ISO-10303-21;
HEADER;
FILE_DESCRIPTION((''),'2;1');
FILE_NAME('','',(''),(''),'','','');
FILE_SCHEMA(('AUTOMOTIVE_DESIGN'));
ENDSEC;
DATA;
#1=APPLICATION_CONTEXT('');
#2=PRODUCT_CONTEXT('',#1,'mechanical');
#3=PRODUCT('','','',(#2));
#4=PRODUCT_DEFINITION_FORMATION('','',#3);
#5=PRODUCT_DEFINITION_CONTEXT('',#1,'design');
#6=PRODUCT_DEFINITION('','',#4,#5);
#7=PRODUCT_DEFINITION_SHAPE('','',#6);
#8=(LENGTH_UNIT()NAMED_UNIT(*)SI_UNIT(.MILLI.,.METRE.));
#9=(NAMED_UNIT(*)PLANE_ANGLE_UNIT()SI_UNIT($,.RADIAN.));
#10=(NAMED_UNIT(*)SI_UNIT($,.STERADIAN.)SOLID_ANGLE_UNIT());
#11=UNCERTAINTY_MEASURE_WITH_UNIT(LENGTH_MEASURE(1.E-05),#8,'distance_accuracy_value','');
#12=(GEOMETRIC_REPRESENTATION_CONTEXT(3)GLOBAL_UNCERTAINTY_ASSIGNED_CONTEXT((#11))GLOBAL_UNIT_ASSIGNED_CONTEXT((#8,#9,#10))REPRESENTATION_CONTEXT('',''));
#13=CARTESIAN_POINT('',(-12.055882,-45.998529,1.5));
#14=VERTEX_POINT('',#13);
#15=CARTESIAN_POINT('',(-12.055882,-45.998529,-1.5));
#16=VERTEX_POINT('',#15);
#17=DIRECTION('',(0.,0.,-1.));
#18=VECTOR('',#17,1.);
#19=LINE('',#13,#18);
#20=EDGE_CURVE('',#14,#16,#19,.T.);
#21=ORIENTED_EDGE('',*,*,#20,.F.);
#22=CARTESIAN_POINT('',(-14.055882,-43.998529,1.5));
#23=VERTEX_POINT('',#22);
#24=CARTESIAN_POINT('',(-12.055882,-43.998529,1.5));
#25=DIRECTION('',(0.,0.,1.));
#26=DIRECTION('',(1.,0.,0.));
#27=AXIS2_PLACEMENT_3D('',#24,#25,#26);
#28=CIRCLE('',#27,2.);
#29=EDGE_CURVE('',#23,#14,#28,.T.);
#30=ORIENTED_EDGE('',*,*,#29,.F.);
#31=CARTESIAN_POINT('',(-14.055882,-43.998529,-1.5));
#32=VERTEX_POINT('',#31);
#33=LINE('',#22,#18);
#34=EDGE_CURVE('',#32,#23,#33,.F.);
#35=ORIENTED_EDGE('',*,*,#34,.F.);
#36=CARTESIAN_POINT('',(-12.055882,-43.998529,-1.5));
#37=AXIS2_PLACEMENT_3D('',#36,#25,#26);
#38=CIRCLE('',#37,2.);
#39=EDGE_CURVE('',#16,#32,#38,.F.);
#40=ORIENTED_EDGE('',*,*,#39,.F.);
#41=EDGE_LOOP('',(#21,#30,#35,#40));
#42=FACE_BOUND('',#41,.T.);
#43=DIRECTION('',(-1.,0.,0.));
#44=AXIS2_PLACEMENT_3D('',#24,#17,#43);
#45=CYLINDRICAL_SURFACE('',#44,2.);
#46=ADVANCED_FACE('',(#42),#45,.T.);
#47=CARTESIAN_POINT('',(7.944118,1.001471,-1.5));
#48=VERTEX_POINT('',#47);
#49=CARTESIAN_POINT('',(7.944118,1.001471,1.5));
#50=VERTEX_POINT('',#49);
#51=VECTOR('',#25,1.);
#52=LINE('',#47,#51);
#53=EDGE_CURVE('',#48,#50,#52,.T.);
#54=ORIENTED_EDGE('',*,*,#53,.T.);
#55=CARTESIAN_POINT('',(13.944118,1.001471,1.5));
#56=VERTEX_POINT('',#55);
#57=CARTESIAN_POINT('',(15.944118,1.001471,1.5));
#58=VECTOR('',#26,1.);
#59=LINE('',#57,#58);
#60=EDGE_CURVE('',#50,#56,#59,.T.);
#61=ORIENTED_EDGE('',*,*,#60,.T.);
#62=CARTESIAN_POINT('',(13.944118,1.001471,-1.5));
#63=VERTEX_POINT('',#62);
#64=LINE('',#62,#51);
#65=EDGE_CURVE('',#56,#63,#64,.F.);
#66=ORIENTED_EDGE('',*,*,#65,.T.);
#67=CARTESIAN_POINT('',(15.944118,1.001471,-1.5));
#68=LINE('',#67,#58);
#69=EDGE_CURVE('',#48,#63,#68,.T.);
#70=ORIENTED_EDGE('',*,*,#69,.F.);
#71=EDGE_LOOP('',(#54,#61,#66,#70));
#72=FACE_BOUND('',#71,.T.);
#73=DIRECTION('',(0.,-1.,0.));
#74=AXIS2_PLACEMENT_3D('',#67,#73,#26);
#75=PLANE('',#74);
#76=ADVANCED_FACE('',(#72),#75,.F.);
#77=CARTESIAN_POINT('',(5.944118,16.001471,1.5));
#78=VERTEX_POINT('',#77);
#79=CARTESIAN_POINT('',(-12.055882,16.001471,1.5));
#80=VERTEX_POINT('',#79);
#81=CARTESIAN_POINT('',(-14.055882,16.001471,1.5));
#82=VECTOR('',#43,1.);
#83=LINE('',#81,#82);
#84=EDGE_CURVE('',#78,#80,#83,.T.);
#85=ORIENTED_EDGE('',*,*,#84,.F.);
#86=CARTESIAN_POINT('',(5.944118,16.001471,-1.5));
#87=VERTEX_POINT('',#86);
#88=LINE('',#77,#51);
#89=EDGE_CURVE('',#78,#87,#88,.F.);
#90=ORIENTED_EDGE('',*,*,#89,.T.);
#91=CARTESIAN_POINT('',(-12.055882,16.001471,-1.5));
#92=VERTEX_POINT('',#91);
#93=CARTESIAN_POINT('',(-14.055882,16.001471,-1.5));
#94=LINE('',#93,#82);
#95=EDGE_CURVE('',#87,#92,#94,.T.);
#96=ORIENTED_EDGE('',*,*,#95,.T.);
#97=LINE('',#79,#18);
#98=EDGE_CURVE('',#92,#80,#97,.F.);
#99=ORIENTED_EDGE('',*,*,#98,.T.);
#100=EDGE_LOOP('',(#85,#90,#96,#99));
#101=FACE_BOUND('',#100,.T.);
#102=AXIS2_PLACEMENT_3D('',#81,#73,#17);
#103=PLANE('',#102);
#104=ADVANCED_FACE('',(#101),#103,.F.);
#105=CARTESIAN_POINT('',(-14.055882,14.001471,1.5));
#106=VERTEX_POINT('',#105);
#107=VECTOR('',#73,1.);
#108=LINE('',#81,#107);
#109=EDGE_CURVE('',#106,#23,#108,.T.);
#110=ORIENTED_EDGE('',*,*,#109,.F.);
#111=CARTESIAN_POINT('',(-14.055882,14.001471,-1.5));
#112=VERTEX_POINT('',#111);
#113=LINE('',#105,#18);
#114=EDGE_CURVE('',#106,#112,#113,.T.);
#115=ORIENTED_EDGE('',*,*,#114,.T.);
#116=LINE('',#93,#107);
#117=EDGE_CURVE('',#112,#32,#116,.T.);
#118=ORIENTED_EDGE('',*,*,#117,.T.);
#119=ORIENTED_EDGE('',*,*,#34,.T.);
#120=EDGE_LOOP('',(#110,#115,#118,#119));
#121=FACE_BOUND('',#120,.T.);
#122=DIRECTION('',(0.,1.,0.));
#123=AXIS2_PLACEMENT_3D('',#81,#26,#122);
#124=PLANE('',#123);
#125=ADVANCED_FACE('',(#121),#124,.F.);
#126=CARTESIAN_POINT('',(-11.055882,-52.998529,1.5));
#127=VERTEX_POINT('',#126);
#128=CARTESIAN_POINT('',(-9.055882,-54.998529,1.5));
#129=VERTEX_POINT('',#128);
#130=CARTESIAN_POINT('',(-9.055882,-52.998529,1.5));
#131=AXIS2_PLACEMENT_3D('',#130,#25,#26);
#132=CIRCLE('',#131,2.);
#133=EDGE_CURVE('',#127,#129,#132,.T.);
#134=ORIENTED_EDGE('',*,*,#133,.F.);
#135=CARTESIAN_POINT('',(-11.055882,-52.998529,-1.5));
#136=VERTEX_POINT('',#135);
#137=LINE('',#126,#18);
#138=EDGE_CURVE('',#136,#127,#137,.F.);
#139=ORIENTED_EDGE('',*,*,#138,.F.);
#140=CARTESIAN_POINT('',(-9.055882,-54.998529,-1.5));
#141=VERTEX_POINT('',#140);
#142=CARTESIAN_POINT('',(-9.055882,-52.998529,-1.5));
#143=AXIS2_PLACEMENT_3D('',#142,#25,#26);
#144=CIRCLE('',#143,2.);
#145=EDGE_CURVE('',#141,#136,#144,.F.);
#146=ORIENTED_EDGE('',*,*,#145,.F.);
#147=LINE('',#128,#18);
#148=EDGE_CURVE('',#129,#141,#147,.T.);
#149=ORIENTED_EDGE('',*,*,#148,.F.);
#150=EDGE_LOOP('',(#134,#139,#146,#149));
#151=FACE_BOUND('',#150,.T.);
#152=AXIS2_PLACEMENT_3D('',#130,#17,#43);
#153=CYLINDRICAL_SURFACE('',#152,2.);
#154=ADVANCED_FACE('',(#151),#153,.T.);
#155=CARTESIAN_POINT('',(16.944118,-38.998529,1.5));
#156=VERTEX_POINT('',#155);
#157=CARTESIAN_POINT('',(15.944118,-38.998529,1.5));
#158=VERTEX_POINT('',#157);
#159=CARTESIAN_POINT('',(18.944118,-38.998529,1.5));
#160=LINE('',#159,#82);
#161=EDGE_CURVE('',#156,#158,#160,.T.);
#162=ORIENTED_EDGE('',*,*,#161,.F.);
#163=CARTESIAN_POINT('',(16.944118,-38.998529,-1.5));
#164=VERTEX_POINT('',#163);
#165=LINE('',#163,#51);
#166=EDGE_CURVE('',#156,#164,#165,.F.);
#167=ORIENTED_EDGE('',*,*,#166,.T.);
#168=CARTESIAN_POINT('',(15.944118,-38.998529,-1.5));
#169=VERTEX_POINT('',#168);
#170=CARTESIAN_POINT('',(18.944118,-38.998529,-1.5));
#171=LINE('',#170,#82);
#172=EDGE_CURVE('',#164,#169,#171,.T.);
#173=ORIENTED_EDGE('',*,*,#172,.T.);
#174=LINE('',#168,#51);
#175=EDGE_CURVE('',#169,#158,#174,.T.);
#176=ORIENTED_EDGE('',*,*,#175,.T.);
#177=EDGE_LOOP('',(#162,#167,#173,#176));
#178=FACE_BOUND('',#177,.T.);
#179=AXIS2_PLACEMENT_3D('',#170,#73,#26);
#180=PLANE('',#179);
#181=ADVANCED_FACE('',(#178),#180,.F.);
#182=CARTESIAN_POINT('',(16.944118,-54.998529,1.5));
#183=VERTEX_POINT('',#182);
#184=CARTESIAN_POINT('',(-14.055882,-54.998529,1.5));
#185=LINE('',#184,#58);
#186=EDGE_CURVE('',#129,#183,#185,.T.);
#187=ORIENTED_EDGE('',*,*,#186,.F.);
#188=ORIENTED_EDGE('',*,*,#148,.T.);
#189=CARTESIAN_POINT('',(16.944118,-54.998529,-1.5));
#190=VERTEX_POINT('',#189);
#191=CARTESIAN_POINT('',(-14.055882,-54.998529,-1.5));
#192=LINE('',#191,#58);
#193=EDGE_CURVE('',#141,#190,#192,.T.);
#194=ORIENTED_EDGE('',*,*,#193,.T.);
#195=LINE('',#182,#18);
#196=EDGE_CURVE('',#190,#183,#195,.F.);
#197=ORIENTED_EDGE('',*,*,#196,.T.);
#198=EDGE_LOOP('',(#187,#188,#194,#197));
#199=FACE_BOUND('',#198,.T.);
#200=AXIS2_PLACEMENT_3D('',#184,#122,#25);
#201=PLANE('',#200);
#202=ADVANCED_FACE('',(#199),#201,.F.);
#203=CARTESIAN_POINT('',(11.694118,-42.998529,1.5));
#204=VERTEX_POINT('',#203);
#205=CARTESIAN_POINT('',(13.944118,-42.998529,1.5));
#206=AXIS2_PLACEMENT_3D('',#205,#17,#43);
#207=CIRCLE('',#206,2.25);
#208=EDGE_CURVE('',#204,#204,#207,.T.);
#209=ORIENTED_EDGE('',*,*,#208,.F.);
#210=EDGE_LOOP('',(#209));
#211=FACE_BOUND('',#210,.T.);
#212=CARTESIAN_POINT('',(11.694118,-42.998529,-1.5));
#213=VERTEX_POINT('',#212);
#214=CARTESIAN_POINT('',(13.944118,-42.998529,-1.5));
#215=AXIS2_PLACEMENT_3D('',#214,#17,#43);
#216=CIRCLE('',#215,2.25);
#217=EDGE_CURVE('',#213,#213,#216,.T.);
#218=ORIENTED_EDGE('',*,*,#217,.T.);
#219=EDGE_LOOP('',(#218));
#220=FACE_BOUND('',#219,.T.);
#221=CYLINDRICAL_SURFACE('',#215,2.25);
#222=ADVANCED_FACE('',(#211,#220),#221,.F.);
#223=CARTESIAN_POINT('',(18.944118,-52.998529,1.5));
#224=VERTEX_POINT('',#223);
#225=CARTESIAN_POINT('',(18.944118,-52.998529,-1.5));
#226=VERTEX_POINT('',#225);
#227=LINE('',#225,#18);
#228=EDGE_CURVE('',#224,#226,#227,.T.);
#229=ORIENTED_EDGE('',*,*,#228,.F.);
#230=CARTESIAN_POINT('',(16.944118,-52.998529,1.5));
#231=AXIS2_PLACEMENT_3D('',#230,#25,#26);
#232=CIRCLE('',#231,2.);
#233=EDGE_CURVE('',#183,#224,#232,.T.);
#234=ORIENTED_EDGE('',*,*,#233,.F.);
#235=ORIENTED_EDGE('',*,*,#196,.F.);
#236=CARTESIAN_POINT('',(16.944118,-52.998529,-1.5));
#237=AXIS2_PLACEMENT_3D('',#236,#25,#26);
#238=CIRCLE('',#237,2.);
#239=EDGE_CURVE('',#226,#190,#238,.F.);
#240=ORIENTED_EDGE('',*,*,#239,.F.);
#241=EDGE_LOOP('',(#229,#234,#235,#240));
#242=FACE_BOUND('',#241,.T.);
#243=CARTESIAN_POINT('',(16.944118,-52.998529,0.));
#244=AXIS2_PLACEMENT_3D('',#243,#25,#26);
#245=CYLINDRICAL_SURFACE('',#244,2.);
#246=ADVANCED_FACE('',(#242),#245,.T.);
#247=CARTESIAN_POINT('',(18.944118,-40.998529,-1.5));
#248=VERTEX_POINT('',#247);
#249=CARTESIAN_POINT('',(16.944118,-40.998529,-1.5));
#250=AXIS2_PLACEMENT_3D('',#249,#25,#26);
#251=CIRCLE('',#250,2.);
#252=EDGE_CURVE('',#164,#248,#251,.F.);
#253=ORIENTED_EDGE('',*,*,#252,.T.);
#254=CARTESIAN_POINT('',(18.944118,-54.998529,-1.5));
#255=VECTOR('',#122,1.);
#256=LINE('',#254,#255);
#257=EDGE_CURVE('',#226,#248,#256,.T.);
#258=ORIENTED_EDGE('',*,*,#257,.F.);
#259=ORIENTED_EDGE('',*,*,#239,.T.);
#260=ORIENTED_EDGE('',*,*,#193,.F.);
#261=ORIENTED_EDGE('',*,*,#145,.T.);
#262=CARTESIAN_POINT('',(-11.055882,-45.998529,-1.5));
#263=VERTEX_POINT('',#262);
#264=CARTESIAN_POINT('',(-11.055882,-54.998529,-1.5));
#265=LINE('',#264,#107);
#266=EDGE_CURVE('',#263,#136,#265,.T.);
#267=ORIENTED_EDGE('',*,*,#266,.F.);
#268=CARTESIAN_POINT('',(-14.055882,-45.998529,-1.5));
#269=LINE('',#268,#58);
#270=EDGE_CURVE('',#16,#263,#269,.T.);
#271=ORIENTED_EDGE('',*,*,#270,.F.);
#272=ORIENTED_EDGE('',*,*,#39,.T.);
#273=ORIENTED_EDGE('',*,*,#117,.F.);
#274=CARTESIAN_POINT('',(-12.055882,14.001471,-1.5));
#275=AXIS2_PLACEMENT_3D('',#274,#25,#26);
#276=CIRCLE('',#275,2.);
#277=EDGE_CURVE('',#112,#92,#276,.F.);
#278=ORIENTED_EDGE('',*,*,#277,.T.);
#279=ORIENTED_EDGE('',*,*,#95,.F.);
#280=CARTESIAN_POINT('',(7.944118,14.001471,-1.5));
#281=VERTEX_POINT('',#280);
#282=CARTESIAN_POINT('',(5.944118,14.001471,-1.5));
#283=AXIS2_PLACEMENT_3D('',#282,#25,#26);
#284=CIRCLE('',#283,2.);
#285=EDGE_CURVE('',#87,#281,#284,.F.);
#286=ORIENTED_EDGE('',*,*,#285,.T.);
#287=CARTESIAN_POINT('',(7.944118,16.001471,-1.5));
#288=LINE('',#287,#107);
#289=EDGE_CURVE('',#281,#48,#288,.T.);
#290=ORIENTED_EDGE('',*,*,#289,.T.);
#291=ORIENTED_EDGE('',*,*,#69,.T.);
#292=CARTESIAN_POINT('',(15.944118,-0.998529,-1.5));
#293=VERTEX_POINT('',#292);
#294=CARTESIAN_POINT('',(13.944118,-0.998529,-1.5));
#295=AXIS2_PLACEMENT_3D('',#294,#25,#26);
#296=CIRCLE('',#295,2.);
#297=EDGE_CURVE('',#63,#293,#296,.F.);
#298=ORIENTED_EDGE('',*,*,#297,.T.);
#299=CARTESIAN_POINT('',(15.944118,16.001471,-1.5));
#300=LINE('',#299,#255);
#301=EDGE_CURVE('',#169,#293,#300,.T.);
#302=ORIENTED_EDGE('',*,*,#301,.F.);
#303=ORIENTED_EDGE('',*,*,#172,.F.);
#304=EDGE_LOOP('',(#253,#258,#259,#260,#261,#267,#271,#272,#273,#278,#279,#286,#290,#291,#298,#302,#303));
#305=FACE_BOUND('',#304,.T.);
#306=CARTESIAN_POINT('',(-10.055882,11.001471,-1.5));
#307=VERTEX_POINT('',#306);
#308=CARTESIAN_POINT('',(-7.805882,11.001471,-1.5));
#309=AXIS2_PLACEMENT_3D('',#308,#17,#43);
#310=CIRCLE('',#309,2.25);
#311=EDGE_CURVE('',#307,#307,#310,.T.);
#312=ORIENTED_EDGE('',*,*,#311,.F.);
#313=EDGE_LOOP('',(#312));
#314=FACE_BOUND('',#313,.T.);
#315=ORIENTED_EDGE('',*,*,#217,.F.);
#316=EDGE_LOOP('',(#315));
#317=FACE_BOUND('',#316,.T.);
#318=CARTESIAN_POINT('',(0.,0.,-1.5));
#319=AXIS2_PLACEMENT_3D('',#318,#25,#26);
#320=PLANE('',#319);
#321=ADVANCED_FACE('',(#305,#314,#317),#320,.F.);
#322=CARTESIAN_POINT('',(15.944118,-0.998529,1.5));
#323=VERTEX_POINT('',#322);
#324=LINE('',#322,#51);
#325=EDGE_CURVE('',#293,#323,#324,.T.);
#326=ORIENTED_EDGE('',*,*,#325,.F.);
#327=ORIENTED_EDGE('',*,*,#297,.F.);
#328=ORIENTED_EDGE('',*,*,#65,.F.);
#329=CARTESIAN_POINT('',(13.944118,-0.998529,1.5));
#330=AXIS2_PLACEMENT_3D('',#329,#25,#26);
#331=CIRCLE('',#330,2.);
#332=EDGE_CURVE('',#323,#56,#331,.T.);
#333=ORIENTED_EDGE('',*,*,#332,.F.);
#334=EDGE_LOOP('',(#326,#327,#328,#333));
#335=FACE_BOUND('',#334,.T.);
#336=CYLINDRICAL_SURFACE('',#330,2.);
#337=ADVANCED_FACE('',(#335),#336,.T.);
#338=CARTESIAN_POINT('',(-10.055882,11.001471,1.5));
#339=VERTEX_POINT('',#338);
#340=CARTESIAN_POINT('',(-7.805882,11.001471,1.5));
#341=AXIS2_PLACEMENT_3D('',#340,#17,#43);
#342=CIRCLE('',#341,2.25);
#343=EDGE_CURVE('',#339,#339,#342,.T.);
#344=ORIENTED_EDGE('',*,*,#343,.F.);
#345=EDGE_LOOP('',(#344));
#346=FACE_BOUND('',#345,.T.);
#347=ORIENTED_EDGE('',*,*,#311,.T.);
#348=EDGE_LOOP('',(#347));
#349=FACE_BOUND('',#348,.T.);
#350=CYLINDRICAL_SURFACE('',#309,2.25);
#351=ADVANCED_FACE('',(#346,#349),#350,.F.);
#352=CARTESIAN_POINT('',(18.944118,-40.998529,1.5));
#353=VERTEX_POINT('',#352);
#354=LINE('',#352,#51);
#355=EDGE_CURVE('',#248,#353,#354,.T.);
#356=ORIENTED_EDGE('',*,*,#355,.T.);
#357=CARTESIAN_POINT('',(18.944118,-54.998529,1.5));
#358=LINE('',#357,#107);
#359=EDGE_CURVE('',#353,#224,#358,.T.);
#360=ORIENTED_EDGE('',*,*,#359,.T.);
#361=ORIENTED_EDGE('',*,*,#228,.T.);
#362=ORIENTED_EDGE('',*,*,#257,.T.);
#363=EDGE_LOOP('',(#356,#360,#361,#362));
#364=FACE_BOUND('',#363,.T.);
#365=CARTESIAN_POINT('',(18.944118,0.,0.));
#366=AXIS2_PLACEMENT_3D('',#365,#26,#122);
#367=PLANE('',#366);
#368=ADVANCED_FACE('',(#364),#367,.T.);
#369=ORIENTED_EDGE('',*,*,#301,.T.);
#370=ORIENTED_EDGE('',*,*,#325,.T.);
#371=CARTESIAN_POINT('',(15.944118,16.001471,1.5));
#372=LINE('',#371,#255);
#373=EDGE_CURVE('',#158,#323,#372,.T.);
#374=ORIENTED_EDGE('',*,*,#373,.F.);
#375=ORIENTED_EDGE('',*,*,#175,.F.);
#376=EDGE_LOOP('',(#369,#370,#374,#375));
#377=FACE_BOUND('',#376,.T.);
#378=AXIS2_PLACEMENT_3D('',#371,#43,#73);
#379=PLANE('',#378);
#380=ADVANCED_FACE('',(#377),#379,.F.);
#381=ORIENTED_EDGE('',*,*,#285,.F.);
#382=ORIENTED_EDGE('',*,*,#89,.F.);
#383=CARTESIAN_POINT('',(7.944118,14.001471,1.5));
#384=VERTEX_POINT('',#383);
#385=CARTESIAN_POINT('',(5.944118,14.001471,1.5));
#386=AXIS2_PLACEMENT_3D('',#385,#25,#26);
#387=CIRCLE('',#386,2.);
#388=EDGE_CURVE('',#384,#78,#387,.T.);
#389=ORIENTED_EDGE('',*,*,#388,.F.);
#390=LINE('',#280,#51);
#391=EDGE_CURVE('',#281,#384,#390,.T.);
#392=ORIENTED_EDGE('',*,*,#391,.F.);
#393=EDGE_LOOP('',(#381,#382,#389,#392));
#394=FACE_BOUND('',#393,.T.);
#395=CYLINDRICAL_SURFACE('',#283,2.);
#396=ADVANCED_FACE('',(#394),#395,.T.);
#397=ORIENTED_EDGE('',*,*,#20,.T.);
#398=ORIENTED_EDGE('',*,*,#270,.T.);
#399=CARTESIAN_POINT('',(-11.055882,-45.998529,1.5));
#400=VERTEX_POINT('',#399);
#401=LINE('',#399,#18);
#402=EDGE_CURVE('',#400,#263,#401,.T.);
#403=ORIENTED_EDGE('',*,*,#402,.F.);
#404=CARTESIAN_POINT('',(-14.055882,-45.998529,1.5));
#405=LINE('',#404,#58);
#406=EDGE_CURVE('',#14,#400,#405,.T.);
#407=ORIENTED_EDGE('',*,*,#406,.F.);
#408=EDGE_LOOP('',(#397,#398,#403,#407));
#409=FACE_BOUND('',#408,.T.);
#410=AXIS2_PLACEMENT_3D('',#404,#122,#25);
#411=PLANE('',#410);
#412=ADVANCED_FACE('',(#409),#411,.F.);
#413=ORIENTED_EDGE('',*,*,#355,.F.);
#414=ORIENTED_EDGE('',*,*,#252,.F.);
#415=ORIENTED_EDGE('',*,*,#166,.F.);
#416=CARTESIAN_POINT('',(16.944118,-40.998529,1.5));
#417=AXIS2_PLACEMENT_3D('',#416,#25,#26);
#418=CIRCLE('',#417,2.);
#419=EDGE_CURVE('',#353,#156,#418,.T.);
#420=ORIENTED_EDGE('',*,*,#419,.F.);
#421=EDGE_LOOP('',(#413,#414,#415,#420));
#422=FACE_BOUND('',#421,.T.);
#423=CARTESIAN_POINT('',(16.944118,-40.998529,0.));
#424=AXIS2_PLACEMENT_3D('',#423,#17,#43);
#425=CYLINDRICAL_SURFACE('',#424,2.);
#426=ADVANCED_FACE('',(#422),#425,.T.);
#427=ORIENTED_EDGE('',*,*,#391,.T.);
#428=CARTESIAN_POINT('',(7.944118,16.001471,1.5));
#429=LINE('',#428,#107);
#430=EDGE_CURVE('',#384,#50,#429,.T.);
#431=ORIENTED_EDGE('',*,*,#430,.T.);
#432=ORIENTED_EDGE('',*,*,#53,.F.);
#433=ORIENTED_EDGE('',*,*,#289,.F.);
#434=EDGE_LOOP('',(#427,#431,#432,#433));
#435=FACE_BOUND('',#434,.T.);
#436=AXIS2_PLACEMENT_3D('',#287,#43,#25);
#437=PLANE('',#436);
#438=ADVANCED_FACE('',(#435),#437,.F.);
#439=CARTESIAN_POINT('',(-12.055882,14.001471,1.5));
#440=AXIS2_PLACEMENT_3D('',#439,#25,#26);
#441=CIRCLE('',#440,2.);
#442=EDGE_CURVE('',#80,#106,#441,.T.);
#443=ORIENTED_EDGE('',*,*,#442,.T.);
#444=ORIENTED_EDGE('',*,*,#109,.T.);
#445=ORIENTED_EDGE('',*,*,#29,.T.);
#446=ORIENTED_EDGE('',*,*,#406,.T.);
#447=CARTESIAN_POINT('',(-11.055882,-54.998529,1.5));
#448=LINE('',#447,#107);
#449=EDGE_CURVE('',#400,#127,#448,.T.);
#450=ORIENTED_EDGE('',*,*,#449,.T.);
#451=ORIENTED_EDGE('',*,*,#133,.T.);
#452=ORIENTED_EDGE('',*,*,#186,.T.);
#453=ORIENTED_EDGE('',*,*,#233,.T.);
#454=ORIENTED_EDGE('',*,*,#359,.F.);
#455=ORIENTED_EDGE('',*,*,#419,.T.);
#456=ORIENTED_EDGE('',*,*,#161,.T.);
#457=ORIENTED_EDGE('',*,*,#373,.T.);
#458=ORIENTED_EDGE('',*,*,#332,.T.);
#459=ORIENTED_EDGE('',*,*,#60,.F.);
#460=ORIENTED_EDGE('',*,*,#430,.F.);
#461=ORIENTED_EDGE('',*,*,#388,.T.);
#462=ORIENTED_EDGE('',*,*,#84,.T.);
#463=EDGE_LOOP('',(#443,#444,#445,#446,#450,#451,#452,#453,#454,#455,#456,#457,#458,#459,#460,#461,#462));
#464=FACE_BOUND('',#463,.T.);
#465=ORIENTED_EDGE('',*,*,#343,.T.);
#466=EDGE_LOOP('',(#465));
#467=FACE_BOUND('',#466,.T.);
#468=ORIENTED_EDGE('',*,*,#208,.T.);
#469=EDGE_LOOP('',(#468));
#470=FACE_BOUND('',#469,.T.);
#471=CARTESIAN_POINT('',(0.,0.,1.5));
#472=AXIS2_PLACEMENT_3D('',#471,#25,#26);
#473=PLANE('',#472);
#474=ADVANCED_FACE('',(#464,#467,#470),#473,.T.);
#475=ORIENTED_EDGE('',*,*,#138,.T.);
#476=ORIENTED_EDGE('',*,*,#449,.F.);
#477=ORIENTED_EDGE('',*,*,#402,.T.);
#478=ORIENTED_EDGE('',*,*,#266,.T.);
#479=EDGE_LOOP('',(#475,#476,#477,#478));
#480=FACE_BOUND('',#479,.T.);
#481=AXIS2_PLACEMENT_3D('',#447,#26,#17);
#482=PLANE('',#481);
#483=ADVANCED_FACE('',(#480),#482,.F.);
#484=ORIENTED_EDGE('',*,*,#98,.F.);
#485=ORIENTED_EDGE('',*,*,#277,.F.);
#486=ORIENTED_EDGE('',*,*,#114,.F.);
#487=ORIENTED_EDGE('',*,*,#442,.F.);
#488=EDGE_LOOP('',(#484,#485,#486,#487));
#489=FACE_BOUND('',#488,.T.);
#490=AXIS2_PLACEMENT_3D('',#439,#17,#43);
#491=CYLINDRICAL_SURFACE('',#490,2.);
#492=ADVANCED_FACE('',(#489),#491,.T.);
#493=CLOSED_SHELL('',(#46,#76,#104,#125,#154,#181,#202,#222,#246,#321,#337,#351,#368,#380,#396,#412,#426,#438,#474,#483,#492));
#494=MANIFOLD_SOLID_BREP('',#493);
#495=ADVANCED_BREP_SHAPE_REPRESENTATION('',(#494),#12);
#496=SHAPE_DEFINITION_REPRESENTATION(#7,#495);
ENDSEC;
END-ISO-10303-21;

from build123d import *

# Parameters (mm, degrees)
SKETCH1_W            = 30
SKETCH1_H            = 71
BOSS_EXTRUDE1_DEPTH  = 1.5
SKETCH3_W            = 8
SKETCH3_H            = 15
CUT_EXTRUDE1_DEPTH   = 58.341547982
SKETCH6_W            = 3
SKETCH6_H            = 16
BOSS_EXTRUDE2_DEPTH  = 3
M4_CLEARANCE_HOLE1_D = 4.5
SKETCH9_W            = 3
SKETCH9_H            = 9
CUT_EXTRUDE2_DEPTH   = 59.247041392
FILLET1_R            = 2


with BuildPart() as part:
    # Sketch1 → Boss-Extrude1 (new, symmetric)
    with BuildSketch(Plane.XY):
        with Locations((0.944117647, -19.498529412)):
            Rectangle(SKETCH1_W, SKETCH1_H)
    extrude(amount=BOSS_EXTRUDE1_DEPTH, both=True)

    # Sketch3 → Cut-Extrude1 (cut, through all)
    with BuildSketch(Plane.XY.offset(1.5)):
        with Locations((11.944117647, 8.501470588)):
            Rectangle(SKETCH3_W, SKETCH3_H)
    extrude(amount=-CUT_EXTRUDE1_DEPTH, mode=Mode.SUBTRACT)

    # Sketch6 → Boss-Extrude2 (add)
    with BuildSketch(Plane(origin=(15.944117647, 0, 0), x_dir=(0, 0, -1), z_dir=(1, 0, 0))):
        with Locations((0, -46.998529412)):
            Rectangle(SKETCH6_W, SKETCH6_H)
    extrude(amount=BOSS_EXTRUDE2_DEPTH)

    # M4 Clearance Hole1 (through all)
    with Locations(Plane(origin=(0, 0, -1.5), x_dir=(-1, 0, 0), z_dir=(0, 0, -1))):
        with Locations((7.805882353, 11.001470588), (-13.944117647, -42.998529412)):
            Hole(M4_CLEARANCE_HOLE1_D / 2)

    # Sketch9 → Cut-Extrude2 (cut, through all)
    with BuildSketch(Plane(origin=(0, 0, -1.5), x_dir=(-1, 0, 0), z_dir=(0, 0, -1))):
        with Locations((12.555882353, -50.498529412)):
            Rectangle(SKETCH9_W, SKETCH9_H)
    extrude(amount=-CUT_EXTRUDE2_DEPTH, mode=Mode.SUBTRACT)

    # Fillet1
    fillet1_edges = [part.edges().sort_by_distance(p)[0] for p in [
        (15.944117647, 1.001470588, 0),
        (7.944117647, 16.001470588, 0),
        (18.944117647, -38.998529412, 0),
        (18.944117647, -54.998529412, 0),
        (-14.055882353, -45.998529412, 0),
        (-11.055882353, -54.998529412, 0),
        (-14.055882353, 16.001470588, 0),
    ]]
    fillet(fillet1_edges, radius=FILLET1_R)


solid = part.part
